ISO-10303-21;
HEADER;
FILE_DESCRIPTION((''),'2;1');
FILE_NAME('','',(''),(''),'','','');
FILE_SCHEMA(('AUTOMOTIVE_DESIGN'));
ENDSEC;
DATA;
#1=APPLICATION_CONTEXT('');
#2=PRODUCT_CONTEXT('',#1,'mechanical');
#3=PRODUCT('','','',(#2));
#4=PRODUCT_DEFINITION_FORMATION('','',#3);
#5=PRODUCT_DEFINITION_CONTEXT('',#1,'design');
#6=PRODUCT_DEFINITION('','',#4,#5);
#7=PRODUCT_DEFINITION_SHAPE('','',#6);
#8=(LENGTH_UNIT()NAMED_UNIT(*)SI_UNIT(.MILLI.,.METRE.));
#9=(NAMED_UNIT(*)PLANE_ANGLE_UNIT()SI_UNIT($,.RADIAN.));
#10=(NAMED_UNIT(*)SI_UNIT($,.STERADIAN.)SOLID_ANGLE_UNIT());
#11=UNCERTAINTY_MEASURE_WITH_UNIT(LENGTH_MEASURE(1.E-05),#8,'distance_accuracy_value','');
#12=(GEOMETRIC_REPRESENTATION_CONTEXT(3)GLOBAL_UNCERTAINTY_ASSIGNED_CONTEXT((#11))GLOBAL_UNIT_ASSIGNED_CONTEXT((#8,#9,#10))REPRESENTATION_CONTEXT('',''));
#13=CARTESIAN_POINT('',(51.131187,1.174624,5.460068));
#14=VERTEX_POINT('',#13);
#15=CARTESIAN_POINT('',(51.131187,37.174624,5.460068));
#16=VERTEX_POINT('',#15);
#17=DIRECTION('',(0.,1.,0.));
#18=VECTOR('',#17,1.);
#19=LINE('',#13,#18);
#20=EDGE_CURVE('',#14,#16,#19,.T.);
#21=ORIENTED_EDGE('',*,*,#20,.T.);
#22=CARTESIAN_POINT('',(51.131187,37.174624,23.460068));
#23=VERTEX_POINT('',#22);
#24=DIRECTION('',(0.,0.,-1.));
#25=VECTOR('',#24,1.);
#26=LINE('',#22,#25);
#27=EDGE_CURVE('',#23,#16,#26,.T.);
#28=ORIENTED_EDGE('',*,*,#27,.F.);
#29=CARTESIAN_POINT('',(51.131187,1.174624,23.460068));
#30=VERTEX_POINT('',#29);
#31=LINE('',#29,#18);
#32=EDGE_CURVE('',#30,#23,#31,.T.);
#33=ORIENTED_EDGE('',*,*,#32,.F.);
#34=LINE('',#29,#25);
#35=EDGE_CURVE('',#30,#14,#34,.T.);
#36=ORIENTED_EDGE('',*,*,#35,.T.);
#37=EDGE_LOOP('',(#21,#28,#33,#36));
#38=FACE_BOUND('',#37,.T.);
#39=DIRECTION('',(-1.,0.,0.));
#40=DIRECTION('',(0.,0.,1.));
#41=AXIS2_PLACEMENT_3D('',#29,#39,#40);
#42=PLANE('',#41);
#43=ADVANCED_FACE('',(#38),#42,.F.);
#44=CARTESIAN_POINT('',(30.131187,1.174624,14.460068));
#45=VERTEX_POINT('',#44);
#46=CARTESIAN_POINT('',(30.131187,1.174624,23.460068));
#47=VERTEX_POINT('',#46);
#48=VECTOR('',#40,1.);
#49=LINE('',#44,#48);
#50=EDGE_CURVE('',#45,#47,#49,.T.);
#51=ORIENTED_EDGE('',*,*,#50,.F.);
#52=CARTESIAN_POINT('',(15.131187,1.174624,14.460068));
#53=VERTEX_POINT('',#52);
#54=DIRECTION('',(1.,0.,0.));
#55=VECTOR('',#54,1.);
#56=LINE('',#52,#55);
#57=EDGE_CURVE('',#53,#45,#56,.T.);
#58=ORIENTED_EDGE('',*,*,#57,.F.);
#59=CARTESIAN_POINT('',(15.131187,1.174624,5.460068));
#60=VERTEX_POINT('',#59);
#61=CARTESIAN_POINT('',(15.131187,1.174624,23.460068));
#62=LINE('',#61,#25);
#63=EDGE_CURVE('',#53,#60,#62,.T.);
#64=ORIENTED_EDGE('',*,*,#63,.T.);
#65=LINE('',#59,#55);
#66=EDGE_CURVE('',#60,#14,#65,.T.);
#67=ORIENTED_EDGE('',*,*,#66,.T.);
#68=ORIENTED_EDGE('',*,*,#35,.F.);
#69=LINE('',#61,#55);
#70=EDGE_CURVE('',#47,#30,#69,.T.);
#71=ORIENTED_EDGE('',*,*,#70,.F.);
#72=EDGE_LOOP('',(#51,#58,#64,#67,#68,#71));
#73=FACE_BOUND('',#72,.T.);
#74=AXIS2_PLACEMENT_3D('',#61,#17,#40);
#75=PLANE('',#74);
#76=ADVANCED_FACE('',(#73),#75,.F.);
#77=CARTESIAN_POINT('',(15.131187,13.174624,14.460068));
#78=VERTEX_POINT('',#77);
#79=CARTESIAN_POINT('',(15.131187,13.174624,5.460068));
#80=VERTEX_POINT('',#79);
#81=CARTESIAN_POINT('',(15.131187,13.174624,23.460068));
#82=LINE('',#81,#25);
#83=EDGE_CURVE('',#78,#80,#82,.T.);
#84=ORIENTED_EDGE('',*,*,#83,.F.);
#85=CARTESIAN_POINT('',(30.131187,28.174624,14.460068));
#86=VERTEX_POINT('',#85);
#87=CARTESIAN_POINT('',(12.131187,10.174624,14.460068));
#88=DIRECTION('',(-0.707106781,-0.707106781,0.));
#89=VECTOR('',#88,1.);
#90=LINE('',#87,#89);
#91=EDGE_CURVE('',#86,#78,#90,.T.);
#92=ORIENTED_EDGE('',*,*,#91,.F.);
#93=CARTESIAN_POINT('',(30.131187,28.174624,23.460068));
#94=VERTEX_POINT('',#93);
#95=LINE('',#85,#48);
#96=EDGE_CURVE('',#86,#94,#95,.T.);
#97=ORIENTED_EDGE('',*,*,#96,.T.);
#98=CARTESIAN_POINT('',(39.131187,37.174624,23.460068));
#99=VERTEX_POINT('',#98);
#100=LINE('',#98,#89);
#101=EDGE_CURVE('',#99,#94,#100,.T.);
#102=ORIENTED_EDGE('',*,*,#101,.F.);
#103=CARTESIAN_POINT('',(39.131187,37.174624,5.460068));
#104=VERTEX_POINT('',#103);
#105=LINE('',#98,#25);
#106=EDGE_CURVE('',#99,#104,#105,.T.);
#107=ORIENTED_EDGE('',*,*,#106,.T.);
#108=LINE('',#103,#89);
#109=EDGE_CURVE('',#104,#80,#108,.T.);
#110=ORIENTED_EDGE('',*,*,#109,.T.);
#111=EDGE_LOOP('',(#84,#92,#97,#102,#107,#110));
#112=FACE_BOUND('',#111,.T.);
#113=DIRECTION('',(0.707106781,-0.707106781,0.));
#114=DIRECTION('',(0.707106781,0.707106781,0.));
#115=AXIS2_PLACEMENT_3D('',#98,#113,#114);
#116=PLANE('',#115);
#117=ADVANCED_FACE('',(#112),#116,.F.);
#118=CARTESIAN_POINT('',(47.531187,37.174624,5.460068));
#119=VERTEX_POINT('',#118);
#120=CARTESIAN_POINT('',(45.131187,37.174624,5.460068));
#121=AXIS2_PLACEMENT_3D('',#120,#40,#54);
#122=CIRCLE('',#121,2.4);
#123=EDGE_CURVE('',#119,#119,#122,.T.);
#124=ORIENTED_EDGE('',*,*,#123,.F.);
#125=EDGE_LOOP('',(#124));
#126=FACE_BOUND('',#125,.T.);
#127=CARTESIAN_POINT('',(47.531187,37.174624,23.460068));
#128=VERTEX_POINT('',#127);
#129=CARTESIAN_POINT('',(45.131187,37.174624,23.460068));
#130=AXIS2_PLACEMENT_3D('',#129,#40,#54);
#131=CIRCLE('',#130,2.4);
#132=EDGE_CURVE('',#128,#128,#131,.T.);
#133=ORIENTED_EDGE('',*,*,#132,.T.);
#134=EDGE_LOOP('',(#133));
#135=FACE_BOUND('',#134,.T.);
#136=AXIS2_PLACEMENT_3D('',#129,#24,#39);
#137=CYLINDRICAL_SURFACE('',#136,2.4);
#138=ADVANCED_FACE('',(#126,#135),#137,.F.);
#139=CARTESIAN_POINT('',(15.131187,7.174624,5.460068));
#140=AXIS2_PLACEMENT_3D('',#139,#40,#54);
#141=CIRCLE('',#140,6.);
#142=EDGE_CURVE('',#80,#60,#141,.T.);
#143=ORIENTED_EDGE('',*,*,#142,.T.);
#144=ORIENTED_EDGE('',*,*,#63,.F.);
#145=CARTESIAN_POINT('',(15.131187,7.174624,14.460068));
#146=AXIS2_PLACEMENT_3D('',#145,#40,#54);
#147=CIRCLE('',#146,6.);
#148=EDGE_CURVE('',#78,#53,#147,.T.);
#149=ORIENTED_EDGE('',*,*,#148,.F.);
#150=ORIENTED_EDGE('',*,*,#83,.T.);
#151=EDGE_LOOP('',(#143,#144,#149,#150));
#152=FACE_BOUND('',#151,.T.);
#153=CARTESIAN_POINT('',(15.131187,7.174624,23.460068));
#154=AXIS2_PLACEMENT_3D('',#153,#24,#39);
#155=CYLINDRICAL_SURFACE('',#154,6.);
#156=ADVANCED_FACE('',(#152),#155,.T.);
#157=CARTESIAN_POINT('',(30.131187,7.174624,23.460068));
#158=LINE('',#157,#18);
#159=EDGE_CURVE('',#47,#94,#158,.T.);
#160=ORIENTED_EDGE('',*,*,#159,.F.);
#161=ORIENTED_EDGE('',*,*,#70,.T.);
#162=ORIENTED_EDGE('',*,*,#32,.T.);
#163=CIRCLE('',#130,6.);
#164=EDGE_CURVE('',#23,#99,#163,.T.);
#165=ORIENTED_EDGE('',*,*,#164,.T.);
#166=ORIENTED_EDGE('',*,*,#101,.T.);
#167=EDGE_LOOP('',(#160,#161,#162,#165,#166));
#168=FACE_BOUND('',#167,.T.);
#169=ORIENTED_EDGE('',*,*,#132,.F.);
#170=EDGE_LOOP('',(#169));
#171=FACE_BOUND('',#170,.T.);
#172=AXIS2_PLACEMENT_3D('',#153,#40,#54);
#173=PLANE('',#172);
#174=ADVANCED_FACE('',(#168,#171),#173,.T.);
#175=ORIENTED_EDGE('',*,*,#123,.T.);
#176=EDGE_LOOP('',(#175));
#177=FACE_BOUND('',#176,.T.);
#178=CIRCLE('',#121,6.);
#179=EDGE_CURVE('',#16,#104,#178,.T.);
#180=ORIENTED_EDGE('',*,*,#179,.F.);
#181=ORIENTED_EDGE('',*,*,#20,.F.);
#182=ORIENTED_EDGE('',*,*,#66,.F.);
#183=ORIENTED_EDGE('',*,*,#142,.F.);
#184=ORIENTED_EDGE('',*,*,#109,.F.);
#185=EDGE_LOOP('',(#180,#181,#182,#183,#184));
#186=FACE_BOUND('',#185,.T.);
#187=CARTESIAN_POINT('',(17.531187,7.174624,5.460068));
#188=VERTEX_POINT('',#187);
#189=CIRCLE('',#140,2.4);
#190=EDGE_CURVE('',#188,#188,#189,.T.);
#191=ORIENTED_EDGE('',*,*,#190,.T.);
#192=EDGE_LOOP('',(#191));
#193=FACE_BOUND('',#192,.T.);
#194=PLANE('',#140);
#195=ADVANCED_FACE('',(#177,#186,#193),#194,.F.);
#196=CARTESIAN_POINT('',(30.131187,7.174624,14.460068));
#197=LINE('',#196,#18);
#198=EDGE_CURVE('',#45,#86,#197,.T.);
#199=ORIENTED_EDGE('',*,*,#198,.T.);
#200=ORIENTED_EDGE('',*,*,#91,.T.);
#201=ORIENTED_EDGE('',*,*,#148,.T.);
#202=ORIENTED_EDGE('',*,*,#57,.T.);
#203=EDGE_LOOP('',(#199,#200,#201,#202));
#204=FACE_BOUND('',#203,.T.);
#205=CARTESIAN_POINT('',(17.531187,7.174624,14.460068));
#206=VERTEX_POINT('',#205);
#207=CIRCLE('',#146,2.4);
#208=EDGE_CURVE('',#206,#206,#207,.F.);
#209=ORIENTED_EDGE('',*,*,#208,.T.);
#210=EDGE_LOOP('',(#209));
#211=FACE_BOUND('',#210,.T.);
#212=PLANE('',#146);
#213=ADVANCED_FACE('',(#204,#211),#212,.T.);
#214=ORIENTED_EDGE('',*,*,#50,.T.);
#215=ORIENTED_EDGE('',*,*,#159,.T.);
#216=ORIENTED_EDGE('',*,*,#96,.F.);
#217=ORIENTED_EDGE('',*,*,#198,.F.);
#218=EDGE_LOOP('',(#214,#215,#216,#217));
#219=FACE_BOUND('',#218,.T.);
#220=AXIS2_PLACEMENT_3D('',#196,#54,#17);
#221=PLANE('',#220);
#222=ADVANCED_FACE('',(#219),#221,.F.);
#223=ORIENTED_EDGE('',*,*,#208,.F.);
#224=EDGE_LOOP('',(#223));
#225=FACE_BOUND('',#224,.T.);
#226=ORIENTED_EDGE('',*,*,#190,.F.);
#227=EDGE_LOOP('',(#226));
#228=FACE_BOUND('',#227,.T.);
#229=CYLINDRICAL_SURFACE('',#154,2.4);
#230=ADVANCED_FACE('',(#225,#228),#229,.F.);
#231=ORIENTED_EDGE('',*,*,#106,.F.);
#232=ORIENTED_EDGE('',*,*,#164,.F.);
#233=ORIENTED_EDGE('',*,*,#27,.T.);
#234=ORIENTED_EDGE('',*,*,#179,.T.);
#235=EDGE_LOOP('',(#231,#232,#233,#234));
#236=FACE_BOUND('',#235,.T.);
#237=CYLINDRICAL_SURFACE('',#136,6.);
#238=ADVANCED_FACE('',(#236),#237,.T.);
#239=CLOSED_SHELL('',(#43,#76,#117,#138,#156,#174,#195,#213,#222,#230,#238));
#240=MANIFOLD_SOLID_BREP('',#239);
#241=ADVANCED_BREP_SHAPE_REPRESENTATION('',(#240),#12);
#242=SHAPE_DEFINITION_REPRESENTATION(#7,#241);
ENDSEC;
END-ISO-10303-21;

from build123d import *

# Parameters (mm, degrees)
SKETCH1_R           = 4
BOSS_EXTRUDE1_DEPTH = 30
CUT_EXTRUDE3_START  = -15
CUT_EXTRUDE3_DEPTH  = 15
ECHELLE1_SCALE      = 0.6


with BuildPart() as part:
    # Sketch1 → Boss-Extrude1 (new body)
    with BuildSketch(Plane.XY):
        with BuildLine():
            Line((0, -10), (60, -10))
            Line((60, -10), (60, 50))
            ThreePointArc((60, 50), (50, 60), (40, 50))
            Line((40, 50), (0, 10))
            ThreePointArc((0, 10), (-10, 0), (0, -10))
        make_face()
        with Locations((50, 50)):
            Circle(SKETCH1_R, mode=Mode.SUBTRACT)
        Circle(SKETCH1_R, mode=Mode.SUBTRACT)
    extrude(amount=BOSS_EXTRUDE1_DEPTH)

    # Sketch3 → Cut-Extrude3 (cut)
    with BuildSketch(Plane.XY.offset(30).offset(CUT_EXTRUDE3_START)):
        with BuildLine():
            Line((60, -217.989898732), (60, -10))
            Line((60, -10), (60, 50))
            ThreePointArc((60, 50), (50, 60), (40, 50))
            Line((40, 50), (0, 10))
            ThreePointArc((0, 10), (-10, 0), (0, -10))
            Line((0, -10), (60, -10))
            Line((60, -10), (25, -10))
            Line((25, -10), (25, 35))
            Line((25, 35), (25, 242.989898732))
            Line((25, 242.989898732), (-389.785969286, 211.497176047))
            Line((-389.785969286, 211.497176047), (-354.785969286, -249.482621417))
            Line((-354.785969286, -249.482621417), (60, -217.989898732))
        make_face()
    extrude(amount=CUT_EXTRUDE3_DEPTH, mode=Mode.SUBTRACT)


with BuildPart() as part_1:
    # Echelle1: scaled about (37.827967632, 17.936559761, 13.650169575)
    add(part.part.scale(ECHELLE1_SCALE).moved(Location((15.131187053, 7.174623904, 5.46006783))))


solid = part_1.part
